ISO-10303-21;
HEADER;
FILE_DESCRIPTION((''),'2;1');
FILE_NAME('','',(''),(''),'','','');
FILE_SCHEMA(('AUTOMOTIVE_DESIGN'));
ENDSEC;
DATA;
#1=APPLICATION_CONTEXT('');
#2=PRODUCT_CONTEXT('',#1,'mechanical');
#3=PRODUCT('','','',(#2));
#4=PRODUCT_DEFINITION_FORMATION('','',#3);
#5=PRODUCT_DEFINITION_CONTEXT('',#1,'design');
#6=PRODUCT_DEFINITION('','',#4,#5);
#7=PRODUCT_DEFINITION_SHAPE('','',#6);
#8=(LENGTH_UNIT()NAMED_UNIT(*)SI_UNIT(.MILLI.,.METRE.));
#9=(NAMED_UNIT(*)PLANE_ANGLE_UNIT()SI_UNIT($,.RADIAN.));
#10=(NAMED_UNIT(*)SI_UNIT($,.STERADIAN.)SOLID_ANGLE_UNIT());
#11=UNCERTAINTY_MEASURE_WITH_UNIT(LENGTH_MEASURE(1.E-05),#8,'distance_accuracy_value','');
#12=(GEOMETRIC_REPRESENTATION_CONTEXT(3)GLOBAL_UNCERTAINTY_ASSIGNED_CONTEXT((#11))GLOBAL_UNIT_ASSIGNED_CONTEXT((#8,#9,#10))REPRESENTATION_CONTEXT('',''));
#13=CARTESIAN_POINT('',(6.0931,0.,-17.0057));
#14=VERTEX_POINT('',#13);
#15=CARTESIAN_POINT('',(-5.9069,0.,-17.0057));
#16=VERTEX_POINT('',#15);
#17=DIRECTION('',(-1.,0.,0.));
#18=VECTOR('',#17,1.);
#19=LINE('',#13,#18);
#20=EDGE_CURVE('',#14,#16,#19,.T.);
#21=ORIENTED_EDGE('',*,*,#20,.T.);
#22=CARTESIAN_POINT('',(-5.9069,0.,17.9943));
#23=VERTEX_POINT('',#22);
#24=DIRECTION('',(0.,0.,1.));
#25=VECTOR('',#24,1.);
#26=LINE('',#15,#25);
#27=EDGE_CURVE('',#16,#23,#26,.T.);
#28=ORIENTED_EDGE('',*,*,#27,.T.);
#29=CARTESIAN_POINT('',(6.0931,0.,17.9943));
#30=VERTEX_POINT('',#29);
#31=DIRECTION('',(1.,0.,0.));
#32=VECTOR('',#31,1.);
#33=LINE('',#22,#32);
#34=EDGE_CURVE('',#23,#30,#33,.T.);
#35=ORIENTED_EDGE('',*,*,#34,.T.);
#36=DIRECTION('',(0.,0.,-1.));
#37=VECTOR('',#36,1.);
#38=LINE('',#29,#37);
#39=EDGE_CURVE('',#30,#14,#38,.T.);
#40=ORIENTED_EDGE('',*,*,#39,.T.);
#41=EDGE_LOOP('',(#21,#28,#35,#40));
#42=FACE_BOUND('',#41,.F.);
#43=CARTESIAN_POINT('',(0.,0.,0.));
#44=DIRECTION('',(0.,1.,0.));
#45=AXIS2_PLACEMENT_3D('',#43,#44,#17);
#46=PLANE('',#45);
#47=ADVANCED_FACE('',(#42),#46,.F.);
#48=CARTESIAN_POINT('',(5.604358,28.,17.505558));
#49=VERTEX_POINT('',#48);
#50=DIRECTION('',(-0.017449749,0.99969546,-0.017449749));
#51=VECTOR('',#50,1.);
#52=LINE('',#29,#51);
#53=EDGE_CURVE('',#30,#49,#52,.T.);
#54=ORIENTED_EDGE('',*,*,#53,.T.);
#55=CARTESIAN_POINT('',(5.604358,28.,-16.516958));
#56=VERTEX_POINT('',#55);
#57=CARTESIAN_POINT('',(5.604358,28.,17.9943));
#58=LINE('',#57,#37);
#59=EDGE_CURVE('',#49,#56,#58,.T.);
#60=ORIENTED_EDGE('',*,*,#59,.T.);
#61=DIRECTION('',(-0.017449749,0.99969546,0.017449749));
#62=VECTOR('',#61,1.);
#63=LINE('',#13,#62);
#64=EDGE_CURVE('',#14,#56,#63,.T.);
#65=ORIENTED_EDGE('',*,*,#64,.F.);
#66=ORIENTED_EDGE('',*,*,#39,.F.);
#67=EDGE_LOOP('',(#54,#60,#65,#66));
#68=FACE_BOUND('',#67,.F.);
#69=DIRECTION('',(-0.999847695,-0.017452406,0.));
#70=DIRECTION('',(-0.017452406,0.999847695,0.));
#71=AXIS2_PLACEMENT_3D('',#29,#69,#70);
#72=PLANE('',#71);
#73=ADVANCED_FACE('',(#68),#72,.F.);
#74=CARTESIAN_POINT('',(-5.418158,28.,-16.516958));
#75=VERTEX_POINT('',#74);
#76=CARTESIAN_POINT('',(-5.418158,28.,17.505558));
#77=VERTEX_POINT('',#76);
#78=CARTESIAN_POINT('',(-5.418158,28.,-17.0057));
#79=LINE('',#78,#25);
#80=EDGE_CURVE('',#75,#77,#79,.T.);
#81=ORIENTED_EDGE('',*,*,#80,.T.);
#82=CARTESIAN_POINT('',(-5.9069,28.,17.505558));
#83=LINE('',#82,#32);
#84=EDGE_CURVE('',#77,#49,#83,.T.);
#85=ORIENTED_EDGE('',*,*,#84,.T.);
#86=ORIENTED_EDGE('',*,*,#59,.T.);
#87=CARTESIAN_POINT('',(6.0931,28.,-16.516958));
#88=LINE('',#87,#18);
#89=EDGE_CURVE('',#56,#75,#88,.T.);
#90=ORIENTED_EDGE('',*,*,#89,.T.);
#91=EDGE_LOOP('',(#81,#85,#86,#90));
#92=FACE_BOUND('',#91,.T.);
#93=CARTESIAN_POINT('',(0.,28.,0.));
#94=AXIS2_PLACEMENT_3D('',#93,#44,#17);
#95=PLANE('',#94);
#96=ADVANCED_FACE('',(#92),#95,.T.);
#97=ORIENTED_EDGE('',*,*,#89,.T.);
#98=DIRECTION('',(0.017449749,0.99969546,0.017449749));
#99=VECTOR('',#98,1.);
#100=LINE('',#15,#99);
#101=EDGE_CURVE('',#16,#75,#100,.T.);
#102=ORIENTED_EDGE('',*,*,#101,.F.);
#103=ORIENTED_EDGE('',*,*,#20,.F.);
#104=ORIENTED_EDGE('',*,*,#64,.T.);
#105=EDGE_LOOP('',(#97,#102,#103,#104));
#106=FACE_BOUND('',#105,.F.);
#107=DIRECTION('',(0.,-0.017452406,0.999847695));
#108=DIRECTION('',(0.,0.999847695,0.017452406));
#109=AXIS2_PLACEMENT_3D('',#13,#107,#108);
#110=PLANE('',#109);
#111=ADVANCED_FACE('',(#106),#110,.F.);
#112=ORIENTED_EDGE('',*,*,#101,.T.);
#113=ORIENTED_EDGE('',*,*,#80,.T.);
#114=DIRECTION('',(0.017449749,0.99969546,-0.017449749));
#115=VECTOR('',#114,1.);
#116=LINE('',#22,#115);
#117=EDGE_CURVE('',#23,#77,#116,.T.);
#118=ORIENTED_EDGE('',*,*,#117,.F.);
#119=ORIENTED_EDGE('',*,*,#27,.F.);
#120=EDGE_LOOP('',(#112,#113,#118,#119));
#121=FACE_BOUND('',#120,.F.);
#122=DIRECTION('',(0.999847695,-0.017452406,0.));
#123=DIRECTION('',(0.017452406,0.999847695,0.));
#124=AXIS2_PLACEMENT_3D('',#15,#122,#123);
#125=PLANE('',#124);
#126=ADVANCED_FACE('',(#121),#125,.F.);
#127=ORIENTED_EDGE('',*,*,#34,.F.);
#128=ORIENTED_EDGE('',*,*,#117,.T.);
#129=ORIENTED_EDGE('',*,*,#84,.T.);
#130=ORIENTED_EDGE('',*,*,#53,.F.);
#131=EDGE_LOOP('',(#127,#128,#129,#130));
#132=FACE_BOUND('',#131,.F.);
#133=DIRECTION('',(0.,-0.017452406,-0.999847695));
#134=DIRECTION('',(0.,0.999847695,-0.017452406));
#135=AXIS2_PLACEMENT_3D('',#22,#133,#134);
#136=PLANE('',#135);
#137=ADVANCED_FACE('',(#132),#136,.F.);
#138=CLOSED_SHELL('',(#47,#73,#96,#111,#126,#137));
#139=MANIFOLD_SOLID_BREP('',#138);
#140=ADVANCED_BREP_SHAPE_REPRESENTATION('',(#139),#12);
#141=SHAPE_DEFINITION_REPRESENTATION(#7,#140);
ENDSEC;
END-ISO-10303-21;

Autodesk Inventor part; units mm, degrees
ref_plane "YZ Plane" through (0, 0, 0) normal (1, 0, 0) x (0, 1, 0)
ref_plane "XZ Plane" through (0, 0, 0) normal (0, 1, 0) x (-1, 0, 0)
ref_plane "XY Plane" through (0, 0, 0) normal (0, 0, 1) x (1, 0, 0)
sketch "Sketch1" plane through (0, 0, 0) normal (0, 1, 0) x (-1, 0, 0)
  line L0 (5.9069, 17.9943) -> (-6.0931, 17.9943)
  line L1 (-6.0931, 17.9943) -> (-6.0931, -17.0057)
  line L2 (-6.0931, -17.0057) -> (5.9069, -17.0057)
  line L3 (5.9069, -17.0057) -> (5.9069, 17.9943)
  point P0 (0, 0)
  dimension "d0" = 12
  dimension "d1" = 35
extrude "Extrusion1" add sketch "Sketch1" along normal blind 28 draft -1
sketch "Sketch3" plane through (0, 0, 0) normal (1, 0, 0) x (0, 1, 0)
  line L0 (28, -16.5169) -> (0, -17.0057) projected
  line L1 (0, -17.0057) -> (0, 17.9943) projected
  line L2 (0, 17.9943) -> (28, 17.5056) projected
  line L3 (28, 17.5056) -> (28, -16.5169) projected
  line L4 (0, 0) -> (15, 0)
  line L5 (15, 0) -> (15, -5)
  line L6 (15, -5) -> (12, -5)
  line L7 (12, -5) -> (12, -8)
  line L8 (12, -8) -> (9, -8)
  line L9 (9, -8) -> (9, -5)
  line L10 (9, -5) -> (6, -5)
  line L11 (6, -5) -> (6, -8)
  line L12 (6, -8) -> (3, -8)
  line L13 (3, -8) -> (3, -5)
  line L14 (3, -5) -> (0, -5)
  line L15 (0, -17.0057) -> (0, 17.9943) projected
  line L16 (0, 0) -> (0, -5)
  dimension "d9" = 15
  dimension "d10" = 5
  dimension "d11" = 3
  dimension "d12" = 3
  dimension "d13" = 3
  dimension "d14" = 3
  dimension "d15" = 3
  dimension "d16" = 3
  dimension "d17" = 3
  dimension "d18" = 3
properties part number "Gembok"
